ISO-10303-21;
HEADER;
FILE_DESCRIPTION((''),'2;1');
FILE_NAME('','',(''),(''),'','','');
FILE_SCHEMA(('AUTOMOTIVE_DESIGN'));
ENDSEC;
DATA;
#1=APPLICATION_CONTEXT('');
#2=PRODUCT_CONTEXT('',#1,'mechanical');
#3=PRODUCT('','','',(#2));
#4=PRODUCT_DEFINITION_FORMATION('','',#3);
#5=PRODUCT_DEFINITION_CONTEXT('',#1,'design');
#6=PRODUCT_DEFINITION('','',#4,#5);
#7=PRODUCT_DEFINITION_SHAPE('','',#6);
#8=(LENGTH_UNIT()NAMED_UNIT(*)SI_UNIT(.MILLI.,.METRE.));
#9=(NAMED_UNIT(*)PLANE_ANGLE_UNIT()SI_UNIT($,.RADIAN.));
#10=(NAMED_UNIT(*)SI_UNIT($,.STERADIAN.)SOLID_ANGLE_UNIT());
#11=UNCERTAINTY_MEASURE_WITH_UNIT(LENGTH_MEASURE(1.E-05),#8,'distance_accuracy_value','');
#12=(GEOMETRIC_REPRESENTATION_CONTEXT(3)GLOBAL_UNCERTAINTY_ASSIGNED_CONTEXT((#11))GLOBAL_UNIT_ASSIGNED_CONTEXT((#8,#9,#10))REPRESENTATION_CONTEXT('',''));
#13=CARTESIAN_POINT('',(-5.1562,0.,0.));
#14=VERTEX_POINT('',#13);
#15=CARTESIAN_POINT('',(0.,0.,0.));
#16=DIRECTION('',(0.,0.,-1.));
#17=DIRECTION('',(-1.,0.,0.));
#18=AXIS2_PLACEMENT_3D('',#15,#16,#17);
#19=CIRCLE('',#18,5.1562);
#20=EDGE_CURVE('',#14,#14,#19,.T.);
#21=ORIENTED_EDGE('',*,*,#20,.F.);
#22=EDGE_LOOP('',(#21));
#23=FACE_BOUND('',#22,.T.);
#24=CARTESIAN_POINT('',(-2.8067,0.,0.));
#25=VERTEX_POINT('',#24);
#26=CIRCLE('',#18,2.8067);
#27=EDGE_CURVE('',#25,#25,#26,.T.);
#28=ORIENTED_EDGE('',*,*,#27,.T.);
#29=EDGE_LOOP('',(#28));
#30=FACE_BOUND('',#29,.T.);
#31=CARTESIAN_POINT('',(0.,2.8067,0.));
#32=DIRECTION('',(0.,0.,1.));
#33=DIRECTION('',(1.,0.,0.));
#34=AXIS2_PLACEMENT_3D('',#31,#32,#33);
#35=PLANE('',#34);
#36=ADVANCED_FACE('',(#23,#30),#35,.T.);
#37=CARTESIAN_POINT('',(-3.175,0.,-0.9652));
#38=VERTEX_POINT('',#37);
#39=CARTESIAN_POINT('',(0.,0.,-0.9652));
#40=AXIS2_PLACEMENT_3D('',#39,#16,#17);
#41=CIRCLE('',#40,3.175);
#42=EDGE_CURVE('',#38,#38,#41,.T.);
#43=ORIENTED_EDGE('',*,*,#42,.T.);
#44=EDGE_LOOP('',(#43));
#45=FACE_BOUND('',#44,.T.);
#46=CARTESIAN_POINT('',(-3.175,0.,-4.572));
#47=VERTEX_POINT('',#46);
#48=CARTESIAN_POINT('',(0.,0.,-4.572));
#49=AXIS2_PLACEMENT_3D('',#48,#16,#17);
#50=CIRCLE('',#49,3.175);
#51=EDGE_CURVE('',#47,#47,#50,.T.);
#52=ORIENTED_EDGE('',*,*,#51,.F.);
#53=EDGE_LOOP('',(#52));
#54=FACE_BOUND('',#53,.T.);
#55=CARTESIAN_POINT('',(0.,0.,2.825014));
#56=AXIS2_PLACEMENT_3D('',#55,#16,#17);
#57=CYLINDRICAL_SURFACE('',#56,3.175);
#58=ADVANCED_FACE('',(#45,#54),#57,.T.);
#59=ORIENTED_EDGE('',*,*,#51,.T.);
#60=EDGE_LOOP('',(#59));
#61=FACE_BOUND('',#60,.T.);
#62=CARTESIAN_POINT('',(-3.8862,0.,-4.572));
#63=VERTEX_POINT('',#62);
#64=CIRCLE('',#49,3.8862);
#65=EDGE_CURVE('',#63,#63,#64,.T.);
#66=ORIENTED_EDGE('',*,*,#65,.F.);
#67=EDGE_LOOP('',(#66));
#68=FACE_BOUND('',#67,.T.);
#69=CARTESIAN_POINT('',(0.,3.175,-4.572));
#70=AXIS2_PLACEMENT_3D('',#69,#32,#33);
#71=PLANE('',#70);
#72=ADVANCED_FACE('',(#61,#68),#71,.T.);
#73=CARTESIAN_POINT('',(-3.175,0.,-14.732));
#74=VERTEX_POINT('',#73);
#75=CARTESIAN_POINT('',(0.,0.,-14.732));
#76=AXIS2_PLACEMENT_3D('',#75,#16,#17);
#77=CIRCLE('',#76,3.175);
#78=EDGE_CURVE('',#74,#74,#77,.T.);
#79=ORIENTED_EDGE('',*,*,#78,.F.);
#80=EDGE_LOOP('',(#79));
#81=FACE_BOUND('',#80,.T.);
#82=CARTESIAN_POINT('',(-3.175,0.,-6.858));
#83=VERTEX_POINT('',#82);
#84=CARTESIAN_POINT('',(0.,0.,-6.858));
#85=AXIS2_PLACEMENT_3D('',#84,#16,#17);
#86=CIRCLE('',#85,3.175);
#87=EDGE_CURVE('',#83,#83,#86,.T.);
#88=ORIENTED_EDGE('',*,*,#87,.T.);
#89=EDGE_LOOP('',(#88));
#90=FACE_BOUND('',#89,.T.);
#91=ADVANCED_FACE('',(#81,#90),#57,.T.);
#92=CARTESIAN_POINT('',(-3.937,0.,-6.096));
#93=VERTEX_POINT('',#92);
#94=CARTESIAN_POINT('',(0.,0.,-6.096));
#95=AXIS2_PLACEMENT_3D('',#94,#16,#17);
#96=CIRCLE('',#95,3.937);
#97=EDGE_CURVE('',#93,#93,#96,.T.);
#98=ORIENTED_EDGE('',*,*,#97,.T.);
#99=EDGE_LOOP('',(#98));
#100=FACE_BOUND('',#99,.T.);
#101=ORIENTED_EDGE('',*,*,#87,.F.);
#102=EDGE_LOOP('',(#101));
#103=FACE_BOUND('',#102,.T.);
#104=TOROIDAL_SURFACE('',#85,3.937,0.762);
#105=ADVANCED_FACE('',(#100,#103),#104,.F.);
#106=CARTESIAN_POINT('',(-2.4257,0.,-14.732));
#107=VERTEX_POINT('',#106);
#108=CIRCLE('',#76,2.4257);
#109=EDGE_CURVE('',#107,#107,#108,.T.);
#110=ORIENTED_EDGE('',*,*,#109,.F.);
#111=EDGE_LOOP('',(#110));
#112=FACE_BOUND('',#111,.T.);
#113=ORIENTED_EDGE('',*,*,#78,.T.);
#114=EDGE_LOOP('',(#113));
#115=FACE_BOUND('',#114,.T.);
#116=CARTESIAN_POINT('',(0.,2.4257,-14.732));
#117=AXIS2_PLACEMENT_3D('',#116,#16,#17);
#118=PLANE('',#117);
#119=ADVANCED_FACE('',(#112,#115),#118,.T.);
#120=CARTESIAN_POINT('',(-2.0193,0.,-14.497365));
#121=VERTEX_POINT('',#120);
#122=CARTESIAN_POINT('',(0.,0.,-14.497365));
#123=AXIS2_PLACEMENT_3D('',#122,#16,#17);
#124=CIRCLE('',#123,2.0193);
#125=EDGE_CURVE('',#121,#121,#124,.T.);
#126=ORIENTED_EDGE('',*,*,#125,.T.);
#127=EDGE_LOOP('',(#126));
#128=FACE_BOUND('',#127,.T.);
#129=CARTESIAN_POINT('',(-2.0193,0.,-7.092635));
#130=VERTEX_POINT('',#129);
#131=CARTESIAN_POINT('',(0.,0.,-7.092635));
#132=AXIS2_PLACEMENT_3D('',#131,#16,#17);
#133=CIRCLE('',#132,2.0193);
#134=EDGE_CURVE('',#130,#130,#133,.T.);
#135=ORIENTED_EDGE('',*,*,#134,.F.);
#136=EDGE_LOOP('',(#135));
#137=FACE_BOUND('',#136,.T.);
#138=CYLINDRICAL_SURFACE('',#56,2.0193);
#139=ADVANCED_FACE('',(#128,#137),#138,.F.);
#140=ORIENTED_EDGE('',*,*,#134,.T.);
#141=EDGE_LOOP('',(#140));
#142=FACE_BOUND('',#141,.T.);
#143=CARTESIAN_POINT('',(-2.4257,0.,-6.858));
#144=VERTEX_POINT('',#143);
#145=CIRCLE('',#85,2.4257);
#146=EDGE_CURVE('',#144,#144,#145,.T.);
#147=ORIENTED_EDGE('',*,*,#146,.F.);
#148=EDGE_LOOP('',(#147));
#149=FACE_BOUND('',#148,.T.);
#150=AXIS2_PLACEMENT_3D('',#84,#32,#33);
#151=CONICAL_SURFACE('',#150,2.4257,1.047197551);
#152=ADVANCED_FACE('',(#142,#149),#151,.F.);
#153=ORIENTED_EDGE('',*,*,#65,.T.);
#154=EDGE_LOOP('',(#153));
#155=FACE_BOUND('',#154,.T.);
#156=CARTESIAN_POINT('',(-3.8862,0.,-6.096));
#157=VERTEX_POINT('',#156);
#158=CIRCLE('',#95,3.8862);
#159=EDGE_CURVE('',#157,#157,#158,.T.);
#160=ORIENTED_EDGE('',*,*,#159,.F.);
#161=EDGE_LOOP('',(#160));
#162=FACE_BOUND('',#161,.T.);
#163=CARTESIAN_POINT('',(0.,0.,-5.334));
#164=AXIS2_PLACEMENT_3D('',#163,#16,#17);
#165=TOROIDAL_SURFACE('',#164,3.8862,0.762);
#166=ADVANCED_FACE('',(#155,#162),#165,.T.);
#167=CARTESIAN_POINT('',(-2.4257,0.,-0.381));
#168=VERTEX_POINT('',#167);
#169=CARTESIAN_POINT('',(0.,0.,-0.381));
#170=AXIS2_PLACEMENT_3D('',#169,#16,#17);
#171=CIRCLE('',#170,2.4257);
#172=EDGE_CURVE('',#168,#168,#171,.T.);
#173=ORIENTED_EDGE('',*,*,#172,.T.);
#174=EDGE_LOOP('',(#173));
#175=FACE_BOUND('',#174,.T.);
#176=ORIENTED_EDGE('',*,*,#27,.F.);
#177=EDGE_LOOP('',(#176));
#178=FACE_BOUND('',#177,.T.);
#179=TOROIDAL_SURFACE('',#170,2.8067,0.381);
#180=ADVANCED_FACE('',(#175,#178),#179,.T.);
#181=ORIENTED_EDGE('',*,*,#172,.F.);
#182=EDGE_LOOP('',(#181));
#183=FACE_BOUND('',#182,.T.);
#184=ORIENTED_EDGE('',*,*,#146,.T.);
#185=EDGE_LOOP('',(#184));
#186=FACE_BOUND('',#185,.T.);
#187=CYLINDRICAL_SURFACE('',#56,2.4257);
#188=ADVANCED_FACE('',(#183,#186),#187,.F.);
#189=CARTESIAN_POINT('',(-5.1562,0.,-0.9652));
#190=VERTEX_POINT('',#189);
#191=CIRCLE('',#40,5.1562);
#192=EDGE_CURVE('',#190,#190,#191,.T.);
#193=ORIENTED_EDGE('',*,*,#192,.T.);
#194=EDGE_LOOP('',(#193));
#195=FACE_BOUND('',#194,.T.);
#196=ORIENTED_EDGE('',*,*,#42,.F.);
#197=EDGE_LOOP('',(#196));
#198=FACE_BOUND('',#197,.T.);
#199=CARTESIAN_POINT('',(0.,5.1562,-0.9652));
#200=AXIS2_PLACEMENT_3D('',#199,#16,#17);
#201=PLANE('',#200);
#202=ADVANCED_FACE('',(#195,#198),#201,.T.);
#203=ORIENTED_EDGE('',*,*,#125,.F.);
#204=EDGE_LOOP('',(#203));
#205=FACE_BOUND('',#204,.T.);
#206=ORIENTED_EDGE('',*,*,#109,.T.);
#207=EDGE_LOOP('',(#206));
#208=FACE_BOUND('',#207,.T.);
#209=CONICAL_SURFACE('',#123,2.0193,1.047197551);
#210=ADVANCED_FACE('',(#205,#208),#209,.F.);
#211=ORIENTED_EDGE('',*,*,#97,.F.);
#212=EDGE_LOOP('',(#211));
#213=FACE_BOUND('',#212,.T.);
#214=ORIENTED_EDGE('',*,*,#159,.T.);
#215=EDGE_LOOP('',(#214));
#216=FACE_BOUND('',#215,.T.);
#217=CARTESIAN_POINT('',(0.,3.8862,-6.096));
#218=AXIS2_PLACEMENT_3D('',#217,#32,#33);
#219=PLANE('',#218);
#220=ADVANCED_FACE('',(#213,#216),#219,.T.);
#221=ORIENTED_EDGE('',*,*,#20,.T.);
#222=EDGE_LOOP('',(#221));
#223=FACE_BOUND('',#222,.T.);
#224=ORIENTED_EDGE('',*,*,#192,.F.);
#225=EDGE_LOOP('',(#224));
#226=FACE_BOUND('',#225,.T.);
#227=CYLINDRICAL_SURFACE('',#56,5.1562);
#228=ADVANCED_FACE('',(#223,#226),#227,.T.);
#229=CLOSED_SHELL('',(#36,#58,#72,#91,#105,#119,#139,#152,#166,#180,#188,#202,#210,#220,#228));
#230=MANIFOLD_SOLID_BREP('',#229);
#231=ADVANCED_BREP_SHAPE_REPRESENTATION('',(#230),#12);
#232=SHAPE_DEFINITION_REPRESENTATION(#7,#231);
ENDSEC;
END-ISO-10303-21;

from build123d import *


with BuildPart() as part:
    # Sketch1 → Revolve1 (revolve)
    with BuildSketch(Plane(origin=(0, 0, 0), x_dir=(0, 0, -1), z_dir=(1, 0, 0)), mode=Mode.PRIVATE) as revolve1_sk:
        with BuildLine():
            Line((0, 2.8067), (0, 5.1562))
            Line((0, 5.1562), (0.9652, 5.1562))
            Line((0.9652, 5.1562), (0.9652, 3.175))
            Line((0.9652, 3.175), (4.572, 3.175))
            Line((4.572, 3.175), (4.572, 3.8862))
            ThreePointArc((4.572, 3.8862), (5.334, 4.6482), (6.096, 3.8862))
            Line((6.096, 3.8862), (6.096, 3.937))
            ThreePointArc((6.096, 3.937), (6.319184633, 3.398184633), (6.858, 3.175))
            Line((6.858, 3.175), (14.732, 3.175))
            Line((14.732, 3.175), (14.732, 2.4257))
            Line((14.732, 2.4257), (14.497364851, 2.0193))
            Line((14.497364851, 2.0193), (7.092635149, 2.0193))
            Line((7.092635149, 2.0193), (6.858, 2.4257))
            Line((6.858, 2.4257), (0.381, 2.4257))
            ThreePointArc((0.381, 2.4257), (0.111592316, 2.537292316), (0, 2.8067))
        make_face()
    revolve(revolve1_sk.sketch.rotate(Axis((0, 0, 2.825013871), (0, 0, 1)), 90), axis=Axis((0, 0, 2.825013871), (0, 0, 1)))


solid = part.part
